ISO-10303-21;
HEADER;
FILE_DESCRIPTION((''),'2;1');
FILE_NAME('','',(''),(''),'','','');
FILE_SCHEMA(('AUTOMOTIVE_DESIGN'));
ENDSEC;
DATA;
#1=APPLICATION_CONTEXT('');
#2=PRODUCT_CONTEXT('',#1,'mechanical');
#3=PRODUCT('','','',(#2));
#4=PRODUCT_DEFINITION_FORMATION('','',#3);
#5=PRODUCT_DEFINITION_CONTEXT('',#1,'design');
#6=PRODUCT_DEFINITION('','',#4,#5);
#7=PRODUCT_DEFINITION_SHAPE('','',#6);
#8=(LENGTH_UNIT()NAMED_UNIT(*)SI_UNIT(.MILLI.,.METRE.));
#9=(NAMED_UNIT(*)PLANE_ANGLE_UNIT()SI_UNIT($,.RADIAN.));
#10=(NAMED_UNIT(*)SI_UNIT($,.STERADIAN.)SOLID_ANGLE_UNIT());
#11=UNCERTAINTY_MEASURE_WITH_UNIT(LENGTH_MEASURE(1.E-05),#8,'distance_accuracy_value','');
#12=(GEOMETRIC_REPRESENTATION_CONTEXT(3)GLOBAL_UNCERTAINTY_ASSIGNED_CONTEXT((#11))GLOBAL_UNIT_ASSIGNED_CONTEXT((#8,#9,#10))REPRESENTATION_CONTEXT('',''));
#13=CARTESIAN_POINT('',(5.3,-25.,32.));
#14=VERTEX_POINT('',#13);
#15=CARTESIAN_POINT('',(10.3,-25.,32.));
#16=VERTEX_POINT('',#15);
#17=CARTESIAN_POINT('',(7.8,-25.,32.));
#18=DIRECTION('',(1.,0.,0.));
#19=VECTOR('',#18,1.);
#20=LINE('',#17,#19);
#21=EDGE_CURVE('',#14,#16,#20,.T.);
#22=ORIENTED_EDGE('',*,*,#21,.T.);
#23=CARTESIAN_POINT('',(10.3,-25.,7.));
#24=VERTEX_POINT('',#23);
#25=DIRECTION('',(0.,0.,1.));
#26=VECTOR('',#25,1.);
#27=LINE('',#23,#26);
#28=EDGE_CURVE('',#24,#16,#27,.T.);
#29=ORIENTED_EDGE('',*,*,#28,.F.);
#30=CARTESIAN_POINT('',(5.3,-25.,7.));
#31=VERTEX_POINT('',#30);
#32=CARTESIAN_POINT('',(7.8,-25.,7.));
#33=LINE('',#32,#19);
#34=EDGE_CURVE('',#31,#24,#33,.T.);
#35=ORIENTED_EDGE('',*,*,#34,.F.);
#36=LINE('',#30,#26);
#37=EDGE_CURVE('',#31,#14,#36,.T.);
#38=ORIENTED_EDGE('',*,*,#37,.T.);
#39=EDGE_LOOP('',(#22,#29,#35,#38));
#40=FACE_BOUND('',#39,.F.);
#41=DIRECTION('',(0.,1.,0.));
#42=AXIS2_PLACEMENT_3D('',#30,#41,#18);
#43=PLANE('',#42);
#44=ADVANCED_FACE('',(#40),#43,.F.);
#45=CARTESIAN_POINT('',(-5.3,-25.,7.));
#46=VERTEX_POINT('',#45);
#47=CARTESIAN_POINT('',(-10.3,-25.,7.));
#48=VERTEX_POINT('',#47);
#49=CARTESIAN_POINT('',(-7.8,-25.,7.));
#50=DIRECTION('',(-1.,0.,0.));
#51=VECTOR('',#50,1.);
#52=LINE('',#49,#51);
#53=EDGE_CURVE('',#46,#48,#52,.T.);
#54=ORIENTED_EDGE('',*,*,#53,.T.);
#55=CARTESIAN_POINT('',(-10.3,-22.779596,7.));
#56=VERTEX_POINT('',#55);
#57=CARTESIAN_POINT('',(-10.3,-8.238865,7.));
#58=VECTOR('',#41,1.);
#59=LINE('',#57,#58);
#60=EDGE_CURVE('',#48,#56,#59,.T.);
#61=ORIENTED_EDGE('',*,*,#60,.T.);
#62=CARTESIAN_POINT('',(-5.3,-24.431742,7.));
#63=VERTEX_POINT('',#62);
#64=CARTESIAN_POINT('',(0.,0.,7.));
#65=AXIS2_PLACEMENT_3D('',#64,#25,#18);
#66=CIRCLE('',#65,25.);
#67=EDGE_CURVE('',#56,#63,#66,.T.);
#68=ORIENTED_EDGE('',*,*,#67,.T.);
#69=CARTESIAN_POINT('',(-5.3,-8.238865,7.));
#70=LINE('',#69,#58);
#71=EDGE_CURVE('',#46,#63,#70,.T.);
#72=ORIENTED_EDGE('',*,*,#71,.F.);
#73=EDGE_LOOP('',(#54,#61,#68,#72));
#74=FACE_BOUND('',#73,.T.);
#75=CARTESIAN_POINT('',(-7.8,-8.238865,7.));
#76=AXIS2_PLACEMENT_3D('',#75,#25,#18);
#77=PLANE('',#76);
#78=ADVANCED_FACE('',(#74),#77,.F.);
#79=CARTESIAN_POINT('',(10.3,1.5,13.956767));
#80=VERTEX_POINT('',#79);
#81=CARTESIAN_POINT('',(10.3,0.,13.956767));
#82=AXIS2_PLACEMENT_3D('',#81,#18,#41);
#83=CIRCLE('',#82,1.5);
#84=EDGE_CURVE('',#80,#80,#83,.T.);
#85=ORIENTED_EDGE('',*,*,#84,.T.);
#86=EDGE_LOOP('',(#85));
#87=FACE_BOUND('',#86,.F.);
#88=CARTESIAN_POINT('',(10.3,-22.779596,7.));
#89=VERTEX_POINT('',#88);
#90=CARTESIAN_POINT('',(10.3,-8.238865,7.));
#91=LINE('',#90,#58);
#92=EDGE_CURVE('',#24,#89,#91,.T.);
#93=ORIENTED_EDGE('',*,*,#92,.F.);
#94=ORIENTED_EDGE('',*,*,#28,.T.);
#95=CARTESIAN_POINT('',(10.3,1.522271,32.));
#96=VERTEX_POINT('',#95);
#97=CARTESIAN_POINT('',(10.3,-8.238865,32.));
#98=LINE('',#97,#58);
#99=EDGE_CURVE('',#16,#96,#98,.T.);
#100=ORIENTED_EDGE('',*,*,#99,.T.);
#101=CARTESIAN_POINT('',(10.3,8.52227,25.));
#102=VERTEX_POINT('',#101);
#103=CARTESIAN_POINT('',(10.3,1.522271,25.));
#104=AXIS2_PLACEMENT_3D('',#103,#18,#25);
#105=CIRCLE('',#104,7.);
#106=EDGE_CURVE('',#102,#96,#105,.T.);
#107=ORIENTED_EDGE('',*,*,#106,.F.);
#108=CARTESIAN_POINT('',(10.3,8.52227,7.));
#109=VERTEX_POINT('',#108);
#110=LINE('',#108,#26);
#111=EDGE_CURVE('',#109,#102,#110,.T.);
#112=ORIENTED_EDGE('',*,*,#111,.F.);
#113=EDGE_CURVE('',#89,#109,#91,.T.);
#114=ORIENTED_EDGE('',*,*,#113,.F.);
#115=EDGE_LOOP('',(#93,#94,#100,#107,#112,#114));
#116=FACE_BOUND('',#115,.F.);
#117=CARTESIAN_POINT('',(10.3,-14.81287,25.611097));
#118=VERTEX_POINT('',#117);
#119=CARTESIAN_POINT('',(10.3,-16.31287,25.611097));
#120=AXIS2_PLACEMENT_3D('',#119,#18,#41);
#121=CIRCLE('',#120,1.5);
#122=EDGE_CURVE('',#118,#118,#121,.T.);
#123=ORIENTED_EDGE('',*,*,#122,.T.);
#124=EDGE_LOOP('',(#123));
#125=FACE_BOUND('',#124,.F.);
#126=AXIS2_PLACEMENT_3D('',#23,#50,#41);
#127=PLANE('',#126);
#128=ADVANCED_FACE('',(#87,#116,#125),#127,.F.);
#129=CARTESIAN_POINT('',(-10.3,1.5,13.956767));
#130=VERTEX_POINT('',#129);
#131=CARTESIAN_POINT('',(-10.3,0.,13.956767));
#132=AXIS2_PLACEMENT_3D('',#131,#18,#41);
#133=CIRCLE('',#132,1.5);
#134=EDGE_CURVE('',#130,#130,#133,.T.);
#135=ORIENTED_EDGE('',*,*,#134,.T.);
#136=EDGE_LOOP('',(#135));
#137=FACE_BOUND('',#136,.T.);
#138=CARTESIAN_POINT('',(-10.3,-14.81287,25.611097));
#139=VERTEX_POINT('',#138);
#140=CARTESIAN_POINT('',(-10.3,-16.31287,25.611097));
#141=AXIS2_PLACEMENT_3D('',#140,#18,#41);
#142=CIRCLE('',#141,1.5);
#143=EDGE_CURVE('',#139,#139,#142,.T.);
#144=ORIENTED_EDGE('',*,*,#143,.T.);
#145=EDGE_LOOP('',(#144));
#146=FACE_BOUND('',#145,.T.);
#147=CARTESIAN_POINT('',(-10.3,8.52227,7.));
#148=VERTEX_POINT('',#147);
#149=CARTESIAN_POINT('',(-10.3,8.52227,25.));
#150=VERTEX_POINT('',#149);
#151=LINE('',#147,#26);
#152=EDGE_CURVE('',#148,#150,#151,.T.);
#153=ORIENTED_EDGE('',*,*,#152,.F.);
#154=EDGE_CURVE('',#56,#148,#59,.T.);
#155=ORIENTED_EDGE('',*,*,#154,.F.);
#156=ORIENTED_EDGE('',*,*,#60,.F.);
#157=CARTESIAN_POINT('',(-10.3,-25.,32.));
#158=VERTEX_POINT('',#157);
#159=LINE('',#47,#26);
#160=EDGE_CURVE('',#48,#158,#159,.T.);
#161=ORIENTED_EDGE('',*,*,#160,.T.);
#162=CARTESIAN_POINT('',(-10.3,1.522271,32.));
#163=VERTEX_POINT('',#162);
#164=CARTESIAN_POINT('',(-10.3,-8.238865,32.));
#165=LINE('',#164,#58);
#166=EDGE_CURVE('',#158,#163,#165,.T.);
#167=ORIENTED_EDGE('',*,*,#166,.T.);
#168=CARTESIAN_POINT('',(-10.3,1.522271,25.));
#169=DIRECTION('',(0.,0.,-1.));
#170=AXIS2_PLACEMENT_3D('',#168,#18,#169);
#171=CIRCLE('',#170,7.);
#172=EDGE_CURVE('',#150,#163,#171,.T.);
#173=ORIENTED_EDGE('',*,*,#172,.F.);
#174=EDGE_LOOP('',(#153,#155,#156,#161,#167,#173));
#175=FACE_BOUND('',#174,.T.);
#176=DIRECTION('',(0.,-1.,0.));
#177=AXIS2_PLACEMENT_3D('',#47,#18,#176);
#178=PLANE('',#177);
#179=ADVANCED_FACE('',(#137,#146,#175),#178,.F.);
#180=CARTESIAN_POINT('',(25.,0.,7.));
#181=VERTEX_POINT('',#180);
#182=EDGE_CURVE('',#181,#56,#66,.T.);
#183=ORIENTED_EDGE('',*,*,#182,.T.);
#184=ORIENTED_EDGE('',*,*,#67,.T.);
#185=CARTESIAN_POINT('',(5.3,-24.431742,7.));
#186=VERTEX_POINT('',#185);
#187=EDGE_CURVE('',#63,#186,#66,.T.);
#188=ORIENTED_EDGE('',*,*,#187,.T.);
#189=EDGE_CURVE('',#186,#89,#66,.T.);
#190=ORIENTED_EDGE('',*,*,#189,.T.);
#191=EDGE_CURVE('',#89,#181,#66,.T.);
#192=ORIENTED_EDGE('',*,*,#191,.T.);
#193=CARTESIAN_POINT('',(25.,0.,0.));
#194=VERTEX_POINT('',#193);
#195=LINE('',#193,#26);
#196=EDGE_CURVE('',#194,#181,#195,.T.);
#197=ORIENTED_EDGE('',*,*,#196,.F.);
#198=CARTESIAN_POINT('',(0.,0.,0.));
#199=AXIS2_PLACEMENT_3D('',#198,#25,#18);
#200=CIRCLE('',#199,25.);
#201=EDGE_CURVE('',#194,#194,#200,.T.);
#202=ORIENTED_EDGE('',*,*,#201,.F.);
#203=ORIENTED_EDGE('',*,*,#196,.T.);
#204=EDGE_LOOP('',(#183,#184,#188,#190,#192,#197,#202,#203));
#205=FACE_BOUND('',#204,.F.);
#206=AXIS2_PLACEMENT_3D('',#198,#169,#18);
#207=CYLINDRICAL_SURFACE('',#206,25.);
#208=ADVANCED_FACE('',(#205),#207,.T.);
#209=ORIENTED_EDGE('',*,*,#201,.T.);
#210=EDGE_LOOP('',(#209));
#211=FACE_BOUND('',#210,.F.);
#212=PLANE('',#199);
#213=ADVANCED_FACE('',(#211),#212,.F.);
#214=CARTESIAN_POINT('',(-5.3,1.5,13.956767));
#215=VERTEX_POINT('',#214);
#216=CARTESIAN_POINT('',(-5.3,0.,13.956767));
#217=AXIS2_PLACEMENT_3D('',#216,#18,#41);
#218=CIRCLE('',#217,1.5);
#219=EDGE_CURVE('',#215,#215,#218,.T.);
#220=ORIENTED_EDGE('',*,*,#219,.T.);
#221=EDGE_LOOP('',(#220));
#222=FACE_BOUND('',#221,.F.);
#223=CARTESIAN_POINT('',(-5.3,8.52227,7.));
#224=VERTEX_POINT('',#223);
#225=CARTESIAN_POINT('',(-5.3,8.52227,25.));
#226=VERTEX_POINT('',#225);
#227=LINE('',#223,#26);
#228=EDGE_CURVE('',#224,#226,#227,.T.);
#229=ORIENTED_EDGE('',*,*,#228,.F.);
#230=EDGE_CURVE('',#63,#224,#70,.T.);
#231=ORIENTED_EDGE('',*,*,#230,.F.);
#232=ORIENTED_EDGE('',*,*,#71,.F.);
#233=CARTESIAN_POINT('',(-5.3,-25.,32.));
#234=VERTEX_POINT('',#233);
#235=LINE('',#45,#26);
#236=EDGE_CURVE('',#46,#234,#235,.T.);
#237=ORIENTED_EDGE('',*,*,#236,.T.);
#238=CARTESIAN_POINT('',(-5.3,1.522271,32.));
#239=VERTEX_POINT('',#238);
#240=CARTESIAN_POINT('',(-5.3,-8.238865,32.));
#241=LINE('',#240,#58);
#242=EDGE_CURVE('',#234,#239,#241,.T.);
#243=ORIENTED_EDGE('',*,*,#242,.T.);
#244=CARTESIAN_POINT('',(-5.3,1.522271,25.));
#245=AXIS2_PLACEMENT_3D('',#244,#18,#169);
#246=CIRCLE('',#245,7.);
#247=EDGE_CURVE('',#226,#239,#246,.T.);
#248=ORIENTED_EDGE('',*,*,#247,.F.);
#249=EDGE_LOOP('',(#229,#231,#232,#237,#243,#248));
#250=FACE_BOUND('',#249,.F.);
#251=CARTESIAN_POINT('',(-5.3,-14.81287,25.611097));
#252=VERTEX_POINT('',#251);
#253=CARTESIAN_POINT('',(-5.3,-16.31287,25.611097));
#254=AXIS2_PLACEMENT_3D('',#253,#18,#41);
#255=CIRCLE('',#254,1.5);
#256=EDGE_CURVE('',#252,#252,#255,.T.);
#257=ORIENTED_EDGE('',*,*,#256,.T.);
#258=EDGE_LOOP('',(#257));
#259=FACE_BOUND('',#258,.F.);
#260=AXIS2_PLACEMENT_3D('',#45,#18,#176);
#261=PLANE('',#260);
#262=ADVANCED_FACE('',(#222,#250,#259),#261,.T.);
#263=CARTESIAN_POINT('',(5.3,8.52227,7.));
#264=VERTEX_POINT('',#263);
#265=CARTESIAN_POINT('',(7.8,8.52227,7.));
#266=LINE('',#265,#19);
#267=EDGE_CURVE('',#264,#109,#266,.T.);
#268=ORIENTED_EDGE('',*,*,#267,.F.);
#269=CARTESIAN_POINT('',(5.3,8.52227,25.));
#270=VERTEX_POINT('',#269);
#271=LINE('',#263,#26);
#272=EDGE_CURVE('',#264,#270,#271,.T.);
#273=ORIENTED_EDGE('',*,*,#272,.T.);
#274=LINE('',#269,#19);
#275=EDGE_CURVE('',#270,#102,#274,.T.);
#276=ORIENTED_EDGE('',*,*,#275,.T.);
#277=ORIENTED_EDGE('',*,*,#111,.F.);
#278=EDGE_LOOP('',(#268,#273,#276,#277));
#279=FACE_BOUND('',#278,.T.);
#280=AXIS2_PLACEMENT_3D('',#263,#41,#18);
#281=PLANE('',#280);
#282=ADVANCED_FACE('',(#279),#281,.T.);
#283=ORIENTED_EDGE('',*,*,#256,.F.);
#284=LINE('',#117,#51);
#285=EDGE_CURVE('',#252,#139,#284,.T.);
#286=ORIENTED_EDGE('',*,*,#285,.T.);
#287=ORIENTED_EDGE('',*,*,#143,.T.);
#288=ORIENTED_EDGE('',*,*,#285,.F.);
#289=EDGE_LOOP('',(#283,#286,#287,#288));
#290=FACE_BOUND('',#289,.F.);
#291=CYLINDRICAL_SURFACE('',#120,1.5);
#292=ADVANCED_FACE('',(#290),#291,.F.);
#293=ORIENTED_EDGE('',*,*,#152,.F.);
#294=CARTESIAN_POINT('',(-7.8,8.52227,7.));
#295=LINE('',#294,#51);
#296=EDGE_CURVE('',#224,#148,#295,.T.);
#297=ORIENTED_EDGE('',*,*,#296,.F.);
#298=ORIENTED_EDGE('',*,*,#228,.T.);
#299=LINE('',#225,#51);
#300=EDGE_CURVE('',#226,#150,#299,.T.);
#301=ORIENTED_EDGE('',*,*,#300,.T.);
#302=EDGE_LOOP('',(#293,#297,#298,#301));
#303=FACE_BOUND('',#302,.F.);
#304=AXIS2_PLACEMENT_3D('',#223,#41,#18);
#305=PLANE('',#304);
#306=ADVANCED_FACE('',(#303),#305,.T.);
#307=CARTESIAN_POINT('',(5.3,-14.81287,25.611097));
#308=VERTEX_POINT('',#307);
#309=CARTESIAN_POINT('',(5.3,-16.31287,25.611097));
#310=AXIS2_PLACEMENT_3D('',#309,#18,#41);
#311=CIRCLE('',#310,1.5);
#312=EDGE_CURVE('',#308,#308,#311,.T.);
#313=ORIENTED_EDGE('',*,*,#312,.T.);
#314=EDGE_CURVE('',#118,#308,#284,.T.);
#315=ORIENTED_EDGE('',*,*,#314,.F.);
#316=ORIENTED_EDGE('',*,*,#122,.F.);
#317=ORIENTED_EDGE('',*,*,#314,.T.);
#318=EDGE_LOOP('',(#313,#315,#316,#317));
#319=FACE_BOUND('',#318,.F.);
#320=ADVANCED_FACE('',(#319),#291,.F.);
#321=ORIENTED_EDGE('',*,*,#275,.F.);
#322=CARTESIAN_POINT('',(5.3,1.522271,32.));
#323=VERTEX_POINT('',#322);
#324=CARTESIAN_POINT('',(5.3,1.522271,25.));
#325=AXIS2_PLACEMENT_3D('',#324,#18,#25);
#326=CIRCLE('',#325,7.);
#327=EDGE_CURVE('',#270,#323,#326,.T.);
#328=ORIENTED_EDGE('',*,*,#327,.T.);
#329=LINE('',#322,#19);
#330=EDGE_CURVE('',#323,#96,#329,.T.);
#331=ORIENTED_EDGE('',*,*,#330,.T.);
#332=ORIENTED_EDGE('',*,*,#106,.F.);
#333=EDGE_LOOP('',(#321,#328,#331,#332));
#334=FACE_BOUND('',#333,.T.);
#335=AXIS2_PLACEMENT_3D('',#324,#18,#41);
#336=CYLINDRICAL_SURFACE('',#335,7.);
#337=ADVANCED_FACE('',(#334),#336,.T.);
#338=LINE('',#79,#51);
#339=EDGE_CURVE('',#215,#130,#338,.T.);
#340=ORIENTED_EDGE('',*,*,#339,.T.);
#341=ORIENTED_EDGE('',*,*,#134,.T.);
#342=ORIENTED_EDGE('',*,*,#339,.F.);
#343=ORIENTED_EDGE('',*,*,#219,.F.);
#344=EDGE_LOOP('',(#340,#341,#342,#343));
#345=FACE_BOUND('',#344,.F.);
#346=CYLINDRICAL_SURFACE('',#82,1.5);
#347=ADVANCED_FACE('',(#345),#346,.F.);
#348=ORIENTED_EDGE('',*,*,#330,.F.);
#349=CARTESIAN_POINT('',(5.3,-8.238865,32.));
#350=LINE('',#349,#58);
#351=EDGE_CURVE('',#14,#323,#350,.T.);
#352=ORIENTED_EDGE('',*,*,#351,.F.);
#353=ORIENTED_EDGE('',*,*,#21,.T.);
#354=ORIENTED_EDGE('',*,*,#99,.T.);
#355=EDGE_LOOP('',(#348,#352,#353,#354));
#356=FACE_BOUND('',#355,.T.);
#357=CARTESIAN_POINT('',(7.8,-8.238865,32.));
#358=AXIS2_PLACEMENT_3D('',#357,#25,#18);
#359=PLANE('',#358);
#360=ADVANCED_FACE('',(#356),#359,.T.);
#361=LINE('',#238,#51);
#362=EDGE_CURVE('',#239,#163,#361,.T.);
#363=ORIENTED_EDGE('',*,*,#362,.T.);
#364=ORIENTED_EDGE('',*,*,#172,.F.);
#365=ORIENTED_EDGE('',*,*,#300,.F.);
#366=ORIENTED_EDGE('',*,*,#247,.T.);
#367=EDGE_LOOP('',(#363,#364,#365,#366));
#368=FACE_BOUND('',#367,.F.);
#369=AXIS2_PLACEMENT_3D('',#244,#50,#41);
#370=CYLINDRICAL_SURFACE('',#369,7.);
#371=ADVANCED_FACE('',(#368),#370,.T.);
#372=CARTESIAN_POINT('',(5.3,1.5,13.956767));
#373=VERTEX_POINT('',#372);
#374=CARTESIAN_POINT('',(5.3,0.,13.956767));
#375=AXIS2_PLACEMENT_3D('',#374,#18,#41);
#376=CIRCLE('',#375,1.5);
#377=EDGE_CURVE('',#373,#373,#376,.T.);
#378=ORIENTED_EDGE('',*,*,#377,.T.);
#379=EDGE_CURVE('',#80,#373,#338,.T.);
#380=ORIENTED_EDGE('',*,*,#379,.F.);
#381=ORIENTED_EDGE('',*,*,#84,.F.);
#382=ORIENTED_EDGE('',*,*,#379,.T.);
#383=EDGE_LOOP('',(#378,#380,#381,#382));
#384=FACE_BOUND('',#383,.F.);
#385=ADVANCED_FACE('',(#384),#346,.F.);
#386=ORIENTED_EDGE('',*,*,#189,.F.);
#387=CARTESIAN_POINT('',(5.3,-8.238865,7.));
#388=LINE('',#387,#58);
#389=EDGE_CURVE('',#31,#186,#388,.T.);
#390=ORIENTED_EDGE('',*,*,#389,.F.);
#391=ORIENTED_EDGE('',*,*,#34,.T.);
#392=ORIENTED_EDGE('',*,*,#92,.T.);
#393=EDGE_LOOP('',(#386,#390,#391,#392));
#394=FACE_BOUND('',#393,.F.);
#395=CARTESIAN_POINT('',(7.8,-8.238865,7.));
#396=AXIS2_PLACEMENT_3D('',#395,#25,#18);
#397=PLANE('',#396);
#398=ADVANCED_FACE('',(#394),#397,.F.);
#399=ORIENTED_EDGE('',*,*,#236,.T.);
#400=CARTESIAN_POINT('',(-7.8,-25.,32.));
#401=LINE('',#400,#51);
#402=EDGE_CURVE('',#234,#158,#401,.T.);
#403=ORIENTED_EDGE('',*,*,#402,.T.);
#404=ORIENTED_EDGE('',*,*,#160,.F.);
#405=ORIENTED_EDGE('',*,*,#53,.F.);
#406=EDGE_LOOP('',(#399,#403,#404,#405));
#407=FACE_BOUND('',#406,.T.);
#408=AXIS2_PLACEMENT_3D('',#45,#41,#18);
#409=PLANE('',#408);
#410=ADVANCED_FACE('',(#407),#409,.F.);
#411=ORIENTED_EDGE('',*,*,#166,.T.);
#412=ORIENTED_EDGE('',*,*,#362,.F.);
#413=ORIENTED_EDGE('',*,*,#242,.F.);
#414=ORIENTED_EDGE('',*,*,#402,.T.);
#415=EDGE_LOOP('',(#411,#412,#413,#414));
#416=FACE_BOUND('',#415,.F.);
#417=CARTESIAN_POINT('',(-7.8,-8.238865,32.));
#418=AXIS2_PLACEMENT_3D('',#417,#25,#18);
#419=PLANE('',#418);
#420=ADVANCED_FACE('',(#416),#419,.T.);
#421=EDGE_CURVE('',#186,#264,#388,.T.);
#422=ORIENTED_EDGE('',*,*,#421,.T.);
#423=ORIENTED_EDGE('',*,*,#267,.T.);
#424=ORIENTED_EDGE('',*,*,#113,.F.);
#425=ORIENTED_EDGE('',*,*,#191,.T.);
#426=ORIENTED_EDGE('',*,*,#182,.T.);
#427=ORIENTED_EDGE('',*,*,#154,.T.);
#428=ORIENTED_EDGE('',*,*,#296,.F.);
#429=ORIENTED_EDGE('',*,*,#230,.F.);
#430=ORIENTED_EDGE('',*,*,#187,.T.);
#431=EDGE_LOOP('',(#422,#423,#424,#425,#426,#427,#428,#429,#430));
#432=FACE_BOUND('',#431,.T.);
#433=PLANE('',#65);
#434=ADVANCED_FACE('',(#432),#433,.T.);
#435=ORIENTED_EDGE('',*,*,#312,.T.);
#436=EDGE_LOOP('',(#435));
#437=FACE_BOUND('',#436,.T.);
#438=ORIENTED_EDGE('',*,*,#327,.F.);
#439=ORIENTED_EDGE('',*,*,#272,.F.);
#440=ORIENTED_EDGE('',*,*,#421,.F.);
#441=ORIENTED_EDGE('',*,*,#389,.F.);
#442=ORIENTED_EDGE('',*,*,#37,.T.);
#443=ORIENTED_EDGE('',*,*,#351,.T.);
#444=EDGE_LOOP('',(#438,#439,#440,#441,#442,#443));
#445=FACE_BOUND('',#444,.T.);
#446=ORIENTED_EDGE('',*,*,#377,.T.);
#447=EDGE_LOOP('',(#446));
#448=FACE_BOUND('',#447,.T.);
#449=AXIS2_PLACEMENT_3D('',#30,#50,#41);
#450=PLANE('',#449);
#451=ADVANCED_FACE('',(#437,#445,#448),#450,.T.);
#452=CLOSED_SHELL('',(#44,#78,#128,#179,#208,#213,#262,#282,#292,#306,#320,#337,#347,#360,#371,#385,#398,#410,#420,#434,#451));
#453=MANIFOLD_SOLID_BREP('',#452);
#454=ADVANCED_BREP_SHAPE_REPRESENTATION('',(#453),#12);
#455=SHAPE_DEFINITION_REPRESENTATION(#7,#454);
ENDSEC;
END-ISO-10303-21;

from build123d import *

# Parameters (mm, degrees)
SKETCH_R     = 25
PAD_DEPTH    = 7
SKETCH001_W  = 5
SKETCH001_H  = 33.522271
PAD001_DEPTH = 25
FILLET_R     = 7
SKETCH002_R  = 1.5
POCKET_DEPTH = 35.301


with BuildPart() as part:
    # Sketch → Pad (new body)
    with BuildSketch(Plane.XY):
        Circle(SKETCH_R)
    extrude(amount=PAD_DEPTH)

    # Sketch001 → Pad001 (new body)
    with BuildSketch(Plane.XY.offset(7)):
        with Locations((7.8, -8.238865)):
            Rectangle(SKETCH001_W, SKETCH001_H)
    pad001 = extrude(amount=PAD001_DEPTH)

    # Mirrored: Pad001 across Sketch001 V_Axis
    add(pad001.mirror(Plane(origin=(0, 0, 7), x_dir=(0, 0, 1), z_dir=(1, 0, 0))))

    # Fillet
    fillet_edges = [part.edges().sort_by_distance(p)[0] for p in [
        (7.8, 8.522271, 32),
        (-7.8, 8.522271, 32),
    ]]
    fillet(fillet_edges, radius=FILLET_R)

    # Sketch002 → Pocket (cut, through all)
    with BuildSketch(Plane.YZ.offset(10.3)):
        with Locations((0, 13.956767)):
            Circle(SKETCH002_R)
        with Locations((-16.31287, 25.611097)):
            Circle(SKETCH002_R)
    extrude(amount=-POCKET_DEPTH, mode=Mode.SUBTRACT)


solid = part.part
